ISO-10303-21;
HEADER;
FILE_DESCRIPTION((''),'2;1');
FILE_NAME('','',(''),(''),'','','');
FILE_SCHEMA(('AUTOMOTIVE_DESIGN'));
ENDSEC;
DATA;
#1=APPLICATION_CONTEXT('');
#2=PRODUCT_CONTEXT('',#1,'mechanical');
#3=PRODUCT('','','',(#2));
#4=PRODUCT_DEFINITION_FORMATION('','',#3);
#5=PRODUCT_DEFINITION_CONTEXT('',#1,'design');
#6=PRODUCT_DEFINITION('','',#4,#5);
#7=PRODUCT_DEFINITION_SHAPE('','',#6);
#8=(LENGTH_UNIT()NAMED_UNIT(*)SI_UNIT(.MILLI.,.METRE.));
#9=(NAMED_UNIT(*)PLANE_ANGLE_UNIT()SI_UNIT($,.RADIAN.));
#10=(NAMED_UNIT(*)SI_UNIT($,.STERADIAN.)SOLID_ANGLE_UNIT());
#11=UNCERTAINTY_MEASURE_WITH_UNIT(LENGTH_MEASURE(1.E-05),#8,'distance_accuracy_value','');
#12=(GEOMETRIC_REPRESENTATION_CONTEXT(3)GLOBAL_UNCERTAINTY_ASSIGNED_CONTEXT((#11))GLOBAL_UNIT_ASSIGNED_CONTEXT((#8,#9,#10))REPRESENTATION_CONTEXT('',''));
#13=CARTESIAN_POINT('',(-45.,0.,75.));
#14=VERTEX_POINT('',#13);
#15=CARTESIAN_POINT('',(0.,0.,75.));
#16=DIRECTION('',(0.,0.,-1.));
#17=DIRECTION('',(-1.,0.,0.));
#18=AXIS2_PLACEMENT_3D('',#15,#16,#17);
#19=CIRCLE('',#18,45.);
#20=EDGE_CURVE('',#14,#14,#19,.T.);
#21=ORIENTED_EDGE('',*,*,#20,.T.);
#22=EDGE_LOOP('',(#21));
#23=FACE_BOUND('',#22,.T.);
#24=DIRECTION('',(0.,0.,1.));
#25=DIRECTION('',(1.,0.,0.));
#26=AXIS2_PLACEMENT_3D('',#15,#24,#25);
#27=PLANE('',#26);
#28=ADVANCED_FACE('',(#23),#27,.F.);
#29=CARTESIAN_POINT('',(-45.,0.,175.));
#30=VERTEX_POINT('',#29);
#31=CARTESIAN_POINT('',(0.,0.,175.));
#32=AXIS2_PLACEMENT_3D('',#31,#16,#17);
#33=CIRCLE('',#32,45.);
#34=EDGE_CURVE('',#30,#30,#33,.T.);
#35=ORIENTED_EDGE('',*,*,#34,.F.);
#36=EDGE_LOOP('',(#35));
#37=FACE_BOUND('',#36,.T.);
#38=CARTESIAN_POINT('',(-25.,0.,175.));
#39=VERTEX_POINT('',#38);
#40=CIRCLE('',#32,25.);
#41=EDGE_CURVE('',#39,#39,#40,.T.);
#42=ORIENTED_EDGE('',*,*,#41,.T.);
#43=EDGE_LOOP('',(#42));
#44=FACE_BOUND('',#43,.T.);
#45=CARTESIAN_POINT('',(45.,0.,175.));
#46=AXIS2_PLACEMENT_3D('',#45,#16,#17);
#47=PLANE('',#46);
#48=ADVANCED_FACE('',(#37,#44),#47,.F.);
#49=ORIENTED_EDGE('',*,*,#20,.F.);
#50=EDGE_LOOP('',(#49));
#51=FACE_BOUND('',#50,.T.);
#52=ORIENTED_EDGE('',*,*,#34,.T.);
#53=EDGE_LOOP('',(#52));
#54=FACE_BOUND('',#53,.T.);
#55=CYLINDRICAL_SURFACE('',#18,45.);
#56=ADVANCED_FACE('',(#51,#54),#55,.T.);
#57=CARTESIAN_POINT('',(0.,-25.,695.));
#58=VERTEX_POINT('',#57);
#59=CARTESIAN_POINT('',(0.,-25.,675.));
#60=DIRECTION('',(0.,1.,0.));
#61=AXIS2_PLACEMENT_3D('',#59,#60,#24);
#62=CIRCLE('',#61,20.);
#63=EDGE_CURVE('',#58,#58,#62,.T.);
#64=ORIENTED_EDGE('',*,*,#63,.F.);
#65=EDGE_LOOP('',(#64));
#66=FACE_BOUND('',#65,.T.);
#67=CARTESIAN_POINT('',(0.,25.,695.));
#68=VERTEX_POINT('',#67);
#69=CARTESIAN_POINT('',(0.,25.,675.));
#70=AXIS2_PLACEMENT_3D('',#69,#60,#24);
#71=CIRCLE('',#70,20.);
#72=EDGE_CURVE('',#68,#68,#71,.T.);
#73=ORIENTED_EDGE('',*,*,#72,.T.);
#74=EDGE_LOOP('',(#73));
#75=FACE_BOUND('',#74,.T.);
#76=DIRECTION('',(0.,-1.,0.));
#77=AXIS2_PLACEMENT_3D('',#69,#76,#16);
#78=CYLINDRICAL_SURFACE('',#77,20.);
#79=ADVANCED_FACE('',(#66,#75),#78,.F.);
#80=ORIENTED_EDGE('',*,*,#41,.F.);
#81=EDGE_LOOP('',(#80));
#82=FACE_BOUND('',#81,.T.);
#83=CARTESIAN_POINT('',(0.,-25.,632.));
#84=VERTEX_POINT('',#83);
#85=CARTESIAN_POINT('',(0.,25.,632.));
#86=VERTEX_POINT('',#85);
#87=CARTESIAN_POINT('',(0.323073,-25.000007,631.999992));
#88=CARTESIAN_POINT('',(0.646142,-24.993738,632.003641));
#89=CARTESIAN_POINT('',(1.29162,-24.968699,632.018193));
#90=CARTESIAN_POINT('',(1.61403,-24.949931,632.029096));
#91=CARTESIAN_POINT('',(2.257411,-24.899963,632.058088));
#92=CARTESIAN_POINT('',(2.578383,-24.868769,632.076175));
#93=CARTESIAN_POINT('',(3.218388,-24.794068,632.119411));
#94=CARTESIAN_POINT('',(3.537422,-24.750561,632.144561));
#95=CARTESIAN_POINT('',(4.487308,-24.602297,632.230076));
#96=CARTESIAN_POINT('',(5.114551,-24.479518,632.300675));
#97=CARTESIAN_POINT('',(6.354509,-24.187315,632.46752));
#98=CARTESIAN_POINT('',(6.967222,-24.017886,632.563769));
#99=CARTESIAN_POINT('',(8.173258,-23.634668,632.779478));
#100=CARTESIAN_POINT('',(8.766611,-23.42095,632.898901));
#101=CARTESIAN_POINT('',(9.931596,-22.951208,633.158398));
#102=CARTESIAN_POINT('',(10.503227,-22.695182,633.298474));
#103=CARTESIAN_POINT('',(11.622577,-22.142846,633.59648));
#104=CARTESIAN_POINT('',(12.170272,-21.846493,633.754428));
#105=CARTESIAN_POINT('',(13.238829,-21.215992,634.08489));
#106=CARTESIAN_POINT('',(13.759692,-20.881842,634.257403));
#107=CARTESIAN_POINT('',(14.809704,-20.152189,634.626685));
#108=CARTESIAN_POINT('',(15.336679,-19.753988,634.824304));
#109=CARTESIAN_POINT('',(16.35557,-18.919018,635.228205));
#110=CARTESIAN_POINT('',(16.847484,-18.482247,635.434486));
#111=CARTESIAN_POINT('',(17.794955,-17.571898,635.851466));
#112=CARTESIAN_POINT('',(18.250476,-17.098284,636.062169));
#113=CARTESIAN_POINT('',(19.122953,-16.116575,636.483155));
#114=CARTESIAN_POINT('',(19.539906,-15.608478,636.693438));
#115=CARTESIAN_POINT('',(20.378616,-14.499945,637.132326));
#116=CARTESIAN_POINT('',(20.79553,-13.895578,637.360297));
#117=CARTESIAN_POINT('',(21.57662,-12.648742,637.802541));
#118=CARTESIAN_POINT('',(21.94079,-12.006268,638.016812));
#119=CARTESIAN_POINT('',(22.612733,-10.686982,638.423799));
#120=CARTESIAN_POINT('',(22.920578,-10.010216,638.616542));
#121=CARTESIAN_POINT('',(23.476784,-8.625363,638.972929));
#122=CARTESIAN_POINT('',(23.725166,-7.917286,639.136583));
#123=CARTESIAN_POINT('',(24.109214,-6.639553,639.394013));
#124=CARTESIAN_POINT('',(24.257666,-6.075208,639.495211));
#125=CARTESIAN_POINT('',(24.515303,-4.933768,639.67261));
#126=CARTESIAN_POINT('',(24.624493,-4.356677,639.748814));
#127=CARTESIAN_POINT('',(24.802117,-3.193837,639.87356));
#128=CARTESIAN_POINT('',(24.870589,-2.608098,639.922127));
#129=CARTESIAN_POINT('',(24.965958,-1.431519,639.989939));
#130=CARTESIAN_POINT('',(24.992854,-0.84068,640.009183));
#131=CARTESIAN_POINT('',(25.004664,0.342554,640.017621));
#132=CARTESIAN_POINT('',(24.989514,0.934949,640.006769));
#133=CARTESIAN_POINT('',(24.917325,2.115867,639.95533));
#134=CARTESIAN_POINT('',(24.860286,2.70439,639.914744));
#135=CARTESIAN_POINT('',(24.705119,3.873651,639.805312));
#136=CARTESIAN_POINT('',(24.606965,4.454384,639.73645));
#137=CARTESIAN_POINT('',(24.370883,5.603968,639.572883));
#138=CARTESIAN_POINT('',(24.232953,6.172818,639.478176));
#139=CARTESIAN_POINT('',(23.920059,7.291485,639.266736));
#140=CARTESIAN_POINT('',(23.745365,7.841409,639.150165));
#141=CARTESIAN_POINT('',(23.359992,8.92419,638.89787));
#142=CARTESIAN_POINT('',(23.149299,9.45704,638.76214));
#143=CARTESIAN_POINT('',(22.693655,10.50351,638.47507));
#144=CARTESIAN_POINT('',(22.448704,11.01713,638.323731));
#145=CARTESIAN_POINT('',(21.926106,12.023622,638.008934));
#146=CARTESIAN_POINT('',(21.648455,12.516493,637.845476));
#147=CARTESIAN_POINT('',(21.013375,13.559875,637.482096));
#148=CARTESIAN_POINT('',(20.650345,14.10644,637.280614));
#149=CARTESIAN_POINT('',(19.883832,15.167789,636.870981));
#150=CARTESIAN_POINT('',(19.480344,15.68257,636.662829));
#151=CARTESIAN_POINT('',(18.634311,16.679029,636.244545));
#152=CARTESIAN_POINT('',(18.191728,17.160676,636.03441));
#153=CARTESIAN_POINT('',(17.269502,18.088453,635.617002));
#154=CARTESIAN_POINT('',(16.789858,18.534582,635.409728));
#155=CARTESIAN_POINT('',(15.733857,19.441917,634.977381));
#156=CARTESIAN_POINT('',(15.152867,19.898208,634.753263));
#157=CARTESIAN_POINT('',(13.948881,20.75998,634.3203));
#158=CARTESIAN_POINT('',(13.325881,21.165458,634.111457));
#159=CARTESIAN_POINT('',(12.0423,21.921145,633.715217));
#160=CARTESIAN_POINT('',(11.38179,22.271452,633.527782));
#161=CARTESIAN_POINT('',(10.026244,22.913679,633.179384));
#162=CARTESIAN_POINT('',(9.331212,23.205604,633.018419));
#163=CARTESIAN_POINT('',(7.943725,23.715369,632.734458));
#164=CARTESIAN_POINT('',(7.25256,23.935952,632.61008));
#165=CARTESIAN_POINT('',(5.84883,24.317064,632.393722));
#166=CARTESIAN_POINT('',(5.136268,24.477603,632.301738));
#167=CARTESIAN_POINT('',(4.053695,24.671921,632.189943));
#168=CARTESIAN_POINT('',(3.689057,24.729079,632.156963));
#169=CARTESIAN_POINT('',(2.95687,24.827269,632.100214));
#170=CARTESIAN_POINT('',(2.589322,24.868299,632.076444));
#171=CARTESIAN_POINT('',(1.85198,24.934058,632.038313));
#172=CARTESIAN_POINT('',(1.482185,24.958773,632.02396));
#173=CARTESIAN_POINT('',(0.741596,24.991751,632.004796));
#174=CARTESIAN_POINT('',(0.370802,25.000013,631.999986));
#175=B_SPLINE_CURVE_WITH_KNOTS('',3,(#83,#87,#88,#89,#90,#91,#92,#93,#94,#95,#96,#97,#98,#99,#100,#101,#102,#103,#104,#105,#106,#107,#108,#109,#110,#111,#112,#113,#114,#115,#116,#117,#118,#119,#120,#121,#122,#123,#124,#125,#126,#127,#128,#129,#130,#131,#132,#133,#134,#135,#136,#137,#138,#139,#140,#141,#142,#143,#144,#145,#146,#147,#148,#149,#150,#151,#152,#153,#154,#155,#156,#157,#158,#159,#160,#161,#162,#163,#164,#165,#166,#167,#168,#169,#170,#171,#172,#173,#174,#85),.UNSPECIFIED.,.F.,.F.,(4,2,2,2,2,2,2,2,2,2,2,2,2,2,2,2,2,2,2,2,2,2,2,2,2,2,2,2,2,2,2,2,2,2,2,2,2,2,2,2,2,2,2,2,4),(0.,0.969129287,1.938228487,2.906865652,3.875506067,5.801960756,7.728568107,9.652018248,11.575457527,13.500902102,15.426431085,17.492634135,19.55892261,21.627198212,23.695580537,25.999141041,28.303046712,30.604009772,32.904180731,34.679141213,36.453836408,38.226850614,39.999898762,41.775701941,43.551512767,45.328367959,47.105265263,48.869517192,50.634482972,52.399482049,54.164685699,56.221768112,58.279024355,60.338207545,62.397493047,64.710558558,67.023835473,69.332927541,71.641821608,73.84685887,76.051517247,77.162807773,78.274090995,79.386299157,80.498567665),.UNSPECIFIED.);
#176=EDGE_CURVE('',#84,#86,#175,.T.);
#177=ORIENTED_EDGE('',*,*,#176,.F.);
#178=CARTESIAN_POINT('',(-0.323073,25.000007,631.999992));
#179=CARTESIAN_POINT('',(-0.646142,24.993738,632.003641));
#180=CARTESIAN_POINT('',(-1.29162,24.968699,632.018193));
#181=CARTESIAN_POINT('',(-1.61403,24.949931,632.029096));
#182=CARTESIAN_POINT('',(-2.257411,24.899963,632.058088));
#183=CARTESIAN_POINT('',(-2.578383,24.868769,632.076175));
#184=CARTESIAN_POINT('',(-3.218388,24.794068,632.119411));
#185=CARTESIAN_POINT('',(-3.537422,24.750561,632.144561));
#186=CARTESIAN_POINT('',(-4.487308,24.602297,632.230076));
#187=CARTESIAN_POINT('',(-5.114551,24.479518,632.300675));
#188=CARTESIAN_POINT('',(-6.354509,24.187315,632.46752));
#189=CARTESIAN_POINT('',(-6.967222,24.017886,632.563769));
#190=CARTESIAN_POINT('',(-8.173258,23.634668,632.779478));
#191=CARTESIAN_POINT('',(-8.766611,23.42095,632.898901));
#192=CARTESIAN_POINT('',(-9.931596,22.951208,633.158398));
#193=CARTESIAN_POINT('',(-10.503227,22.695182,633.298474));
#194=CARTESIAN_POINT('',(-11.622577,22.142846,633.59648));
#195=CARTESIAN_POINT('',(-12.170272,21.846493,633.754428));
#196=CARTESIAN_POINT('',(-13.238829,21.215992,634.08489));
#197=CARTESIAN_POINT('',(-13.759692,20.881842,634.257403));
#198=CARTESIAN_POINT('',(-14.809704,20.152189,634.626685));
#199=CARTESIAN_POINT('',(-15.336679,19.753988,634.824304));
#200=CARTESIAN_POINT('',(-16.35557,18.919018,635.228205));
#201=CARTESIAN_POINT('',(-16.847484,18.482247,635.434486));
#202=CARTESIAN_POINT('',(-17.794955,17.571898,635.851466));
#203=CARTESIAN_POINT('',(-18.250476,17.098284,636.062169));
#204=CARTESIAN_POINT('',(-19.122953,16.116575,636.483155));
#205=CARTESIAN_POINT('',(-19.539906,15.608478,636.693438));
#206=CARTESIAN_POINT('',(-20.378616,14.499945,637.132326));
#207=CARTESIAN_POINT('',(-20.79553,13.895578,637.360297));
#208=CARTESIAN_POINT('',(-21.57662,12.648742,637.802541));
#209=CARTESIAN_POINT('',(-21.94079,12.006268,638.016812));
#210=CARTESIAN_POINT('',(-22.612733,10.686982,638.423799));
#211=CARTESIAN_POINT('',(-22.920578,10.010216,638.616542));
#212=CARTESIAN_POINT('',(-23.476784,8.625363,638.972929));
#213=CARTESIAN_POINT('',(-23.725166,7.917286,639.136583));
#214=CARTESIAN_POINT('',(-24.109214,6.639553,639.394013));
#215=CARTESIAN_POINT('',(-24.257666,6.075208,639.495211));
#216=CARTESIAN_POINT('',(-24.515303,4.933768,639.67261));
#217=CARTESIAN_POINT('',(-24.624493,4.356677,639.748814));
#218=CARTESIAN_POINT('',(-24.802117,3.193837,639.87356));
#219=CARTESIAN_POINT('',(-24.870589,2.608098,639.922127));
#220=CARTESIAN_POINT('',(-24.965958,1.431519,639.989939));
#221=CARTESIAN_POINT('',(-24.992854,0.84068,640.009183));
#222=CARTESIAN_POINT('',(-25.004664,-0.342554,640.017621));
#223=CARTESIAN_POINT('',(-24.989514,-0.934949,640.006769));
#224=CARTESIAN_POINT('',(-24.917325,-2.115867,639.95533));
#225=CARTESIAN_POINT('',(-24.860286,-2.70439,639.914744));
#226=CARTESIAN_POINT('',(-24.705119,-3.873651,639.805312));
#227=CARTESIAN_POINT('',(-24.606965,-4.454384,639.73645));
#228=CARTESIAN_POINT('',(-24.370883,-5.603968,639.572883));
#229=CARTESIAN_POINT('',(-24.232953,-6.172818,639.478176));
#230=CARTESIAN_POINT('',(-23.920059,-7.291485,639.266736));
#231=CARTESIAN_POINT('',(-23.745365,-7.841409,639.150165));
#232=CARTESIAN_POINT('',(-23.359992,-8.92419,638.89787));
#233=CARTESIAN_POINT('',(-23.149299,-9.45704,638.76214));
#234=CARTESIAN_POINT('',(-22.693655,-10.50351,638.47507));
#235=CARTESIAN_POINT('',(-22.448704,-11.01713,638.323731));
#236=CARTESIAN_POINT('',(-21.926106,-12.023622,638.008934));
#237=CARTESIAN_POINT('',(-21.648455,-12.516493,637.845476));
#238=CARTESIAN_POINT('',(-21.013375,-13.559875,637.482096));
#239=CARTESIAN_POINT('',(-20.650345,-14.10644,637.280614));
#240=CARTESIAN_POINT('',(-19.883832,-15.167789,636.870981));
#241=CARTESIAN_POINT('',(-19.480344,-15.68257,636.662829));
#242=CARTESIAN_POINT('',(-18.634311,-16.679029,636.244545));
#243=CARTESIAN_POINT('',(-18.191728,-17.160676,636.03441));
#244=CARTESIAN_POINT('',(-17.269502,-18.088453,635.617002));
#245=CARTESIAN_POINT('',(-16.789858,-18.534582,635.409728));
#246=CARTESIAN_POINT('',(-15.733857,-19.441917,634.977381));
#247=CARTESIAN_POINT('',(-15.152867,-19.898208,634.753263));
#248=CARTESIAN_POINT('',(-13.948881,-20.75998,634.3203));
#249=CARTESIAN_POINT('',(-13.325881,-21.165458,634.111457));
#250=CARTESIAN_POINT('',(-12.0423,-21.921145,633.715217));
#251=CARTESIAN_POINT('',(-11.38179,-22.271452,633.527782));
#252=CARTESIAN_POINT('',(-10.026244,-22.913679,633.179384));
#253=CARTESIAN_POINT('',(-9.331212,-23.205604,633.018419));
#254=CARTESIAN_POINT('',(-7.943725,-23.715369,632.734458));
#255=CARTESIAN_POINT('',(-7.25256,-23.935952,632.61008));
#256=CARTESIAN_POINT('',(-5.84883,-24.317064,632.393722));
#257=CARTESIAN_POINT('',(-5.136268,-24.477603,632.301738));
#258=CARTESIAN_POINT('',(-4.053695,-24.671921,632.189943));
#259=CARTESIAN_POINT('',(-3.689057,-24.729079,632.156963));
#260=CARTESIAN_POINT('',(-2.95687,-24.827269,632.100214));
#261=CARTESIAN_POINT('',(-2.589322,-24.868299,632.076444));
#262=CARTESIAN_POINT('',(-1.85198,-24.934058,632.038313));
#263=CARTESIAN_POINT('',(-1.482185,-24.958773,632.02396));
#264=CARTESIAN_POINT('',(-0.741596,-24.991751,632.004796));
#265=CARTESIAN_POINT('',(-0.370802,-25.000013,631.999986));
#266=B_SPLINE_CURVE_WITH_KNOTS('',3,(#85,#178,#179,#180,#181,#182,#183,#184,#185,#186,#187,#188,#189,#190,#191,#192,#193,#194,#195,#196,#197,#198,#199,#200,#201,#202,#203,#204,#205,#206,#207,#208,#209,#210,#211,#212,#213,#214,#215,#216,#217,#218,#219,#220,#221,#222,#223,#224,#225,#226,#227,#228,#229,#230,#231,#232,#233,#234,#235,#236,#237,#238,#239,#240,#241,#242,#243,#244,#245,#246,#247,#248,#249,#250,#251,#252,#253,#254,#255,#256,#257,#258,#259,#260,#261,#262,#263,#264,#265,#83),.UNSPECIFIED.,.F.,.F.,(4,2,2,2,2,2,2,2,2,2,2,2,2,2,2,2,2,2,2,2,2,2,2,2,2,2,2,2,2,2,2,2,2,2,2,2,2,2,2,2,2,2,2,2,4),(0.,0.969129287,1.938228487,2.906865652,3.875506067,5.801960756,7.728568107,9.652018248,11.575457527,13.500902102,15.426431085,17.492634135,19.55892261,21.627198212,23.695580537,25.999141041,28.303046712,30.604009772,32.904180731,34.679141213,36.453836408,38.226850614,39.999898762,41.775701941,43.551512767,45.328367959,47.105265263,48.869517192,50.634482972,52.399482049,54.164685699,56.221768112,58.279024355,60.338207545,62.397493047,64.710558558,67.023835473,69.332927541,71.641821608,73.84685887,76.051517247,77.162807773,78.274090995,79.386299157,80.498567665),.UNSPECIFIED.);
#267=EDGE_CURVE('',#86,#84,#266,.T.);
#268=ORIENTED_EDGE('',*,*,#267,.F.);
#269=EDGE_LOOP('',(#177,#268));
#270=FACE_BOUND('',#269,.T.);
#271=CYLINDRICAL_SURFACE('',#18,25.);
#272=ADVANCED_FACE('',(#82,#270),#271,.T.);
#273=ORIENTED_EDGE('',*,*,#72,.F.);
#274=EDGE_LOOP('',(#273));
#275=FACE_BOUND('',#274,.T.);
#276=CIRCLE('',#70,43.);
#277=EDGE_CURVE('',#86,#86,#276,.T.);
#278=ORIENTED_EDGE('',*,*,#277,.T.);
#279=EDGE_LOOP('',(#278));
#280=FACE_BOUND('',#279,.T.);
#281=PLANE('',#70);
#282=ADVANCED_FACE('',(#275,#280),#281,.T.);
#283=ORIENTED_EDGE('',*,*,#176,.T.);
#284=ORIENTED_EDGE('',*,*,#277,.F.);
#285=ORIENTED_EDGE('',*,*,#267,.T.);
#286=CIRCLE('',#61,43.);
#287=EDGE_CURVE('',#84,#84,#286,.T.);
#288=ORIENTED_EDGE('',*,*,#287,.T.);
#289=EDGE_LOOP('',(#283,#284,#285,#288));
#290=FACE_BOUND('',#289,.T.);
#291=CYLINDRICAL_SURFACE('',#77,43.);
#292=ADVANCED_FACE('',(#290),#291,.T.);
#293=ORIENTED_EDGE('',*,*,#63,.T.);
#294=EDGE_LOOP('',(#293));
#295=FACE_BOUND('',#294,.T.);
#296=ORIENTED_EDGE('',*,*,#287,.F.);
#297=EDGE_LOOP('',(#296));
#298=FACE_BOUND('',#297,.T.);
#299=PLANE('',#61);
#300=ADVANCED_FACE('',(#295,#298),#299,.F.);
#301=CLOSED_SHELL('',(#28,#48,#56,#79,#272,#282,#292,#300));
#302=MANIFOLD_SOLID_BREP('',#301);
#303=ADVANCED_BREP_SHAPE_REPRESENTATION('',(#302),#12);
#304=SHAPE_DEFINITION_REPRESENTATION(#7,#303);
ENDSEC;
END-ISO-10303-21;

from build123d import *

# Parameters (mm, degrees)
SKETCH3_R           = 43
SKETCH3_R_2         = 20
BOSS_EXTRUDE1_DEPTH = 25


with BuildPart() as part:
    # Sketch1 → Revolve1 (revolve)
    with BuildSketch(Plane(origin=(0, 0, 0), x_dir=(1, 0, 0), z_dir=(0, 1, 0))):
        Polygon((0, -75), (45, -75), (45, -175), (25, -175), (25, -640.014288631), (0, -640.014288631), align=None)
    revolve(axis=Axis((0, 0, 75), (0, 0, 1)))

    # Sketch3 → Boss-Extrude1 (add, symmetric)
    with BuildSketch(Plane(origin=(0, 0, 0), x_dir=(1, 0, 0), z_dir=(0, 1, 0))):
        with Locations((0, -675)):
            Circle(SKETCH3_R)
        with Locations((0, -675)):
            Circle(SKETCH3_R_2, mode=Mode.SUBTRACT)
    extrude(amount=BOSS_EXTRUDE1_DEPTH, both=True)


solid = part.part
